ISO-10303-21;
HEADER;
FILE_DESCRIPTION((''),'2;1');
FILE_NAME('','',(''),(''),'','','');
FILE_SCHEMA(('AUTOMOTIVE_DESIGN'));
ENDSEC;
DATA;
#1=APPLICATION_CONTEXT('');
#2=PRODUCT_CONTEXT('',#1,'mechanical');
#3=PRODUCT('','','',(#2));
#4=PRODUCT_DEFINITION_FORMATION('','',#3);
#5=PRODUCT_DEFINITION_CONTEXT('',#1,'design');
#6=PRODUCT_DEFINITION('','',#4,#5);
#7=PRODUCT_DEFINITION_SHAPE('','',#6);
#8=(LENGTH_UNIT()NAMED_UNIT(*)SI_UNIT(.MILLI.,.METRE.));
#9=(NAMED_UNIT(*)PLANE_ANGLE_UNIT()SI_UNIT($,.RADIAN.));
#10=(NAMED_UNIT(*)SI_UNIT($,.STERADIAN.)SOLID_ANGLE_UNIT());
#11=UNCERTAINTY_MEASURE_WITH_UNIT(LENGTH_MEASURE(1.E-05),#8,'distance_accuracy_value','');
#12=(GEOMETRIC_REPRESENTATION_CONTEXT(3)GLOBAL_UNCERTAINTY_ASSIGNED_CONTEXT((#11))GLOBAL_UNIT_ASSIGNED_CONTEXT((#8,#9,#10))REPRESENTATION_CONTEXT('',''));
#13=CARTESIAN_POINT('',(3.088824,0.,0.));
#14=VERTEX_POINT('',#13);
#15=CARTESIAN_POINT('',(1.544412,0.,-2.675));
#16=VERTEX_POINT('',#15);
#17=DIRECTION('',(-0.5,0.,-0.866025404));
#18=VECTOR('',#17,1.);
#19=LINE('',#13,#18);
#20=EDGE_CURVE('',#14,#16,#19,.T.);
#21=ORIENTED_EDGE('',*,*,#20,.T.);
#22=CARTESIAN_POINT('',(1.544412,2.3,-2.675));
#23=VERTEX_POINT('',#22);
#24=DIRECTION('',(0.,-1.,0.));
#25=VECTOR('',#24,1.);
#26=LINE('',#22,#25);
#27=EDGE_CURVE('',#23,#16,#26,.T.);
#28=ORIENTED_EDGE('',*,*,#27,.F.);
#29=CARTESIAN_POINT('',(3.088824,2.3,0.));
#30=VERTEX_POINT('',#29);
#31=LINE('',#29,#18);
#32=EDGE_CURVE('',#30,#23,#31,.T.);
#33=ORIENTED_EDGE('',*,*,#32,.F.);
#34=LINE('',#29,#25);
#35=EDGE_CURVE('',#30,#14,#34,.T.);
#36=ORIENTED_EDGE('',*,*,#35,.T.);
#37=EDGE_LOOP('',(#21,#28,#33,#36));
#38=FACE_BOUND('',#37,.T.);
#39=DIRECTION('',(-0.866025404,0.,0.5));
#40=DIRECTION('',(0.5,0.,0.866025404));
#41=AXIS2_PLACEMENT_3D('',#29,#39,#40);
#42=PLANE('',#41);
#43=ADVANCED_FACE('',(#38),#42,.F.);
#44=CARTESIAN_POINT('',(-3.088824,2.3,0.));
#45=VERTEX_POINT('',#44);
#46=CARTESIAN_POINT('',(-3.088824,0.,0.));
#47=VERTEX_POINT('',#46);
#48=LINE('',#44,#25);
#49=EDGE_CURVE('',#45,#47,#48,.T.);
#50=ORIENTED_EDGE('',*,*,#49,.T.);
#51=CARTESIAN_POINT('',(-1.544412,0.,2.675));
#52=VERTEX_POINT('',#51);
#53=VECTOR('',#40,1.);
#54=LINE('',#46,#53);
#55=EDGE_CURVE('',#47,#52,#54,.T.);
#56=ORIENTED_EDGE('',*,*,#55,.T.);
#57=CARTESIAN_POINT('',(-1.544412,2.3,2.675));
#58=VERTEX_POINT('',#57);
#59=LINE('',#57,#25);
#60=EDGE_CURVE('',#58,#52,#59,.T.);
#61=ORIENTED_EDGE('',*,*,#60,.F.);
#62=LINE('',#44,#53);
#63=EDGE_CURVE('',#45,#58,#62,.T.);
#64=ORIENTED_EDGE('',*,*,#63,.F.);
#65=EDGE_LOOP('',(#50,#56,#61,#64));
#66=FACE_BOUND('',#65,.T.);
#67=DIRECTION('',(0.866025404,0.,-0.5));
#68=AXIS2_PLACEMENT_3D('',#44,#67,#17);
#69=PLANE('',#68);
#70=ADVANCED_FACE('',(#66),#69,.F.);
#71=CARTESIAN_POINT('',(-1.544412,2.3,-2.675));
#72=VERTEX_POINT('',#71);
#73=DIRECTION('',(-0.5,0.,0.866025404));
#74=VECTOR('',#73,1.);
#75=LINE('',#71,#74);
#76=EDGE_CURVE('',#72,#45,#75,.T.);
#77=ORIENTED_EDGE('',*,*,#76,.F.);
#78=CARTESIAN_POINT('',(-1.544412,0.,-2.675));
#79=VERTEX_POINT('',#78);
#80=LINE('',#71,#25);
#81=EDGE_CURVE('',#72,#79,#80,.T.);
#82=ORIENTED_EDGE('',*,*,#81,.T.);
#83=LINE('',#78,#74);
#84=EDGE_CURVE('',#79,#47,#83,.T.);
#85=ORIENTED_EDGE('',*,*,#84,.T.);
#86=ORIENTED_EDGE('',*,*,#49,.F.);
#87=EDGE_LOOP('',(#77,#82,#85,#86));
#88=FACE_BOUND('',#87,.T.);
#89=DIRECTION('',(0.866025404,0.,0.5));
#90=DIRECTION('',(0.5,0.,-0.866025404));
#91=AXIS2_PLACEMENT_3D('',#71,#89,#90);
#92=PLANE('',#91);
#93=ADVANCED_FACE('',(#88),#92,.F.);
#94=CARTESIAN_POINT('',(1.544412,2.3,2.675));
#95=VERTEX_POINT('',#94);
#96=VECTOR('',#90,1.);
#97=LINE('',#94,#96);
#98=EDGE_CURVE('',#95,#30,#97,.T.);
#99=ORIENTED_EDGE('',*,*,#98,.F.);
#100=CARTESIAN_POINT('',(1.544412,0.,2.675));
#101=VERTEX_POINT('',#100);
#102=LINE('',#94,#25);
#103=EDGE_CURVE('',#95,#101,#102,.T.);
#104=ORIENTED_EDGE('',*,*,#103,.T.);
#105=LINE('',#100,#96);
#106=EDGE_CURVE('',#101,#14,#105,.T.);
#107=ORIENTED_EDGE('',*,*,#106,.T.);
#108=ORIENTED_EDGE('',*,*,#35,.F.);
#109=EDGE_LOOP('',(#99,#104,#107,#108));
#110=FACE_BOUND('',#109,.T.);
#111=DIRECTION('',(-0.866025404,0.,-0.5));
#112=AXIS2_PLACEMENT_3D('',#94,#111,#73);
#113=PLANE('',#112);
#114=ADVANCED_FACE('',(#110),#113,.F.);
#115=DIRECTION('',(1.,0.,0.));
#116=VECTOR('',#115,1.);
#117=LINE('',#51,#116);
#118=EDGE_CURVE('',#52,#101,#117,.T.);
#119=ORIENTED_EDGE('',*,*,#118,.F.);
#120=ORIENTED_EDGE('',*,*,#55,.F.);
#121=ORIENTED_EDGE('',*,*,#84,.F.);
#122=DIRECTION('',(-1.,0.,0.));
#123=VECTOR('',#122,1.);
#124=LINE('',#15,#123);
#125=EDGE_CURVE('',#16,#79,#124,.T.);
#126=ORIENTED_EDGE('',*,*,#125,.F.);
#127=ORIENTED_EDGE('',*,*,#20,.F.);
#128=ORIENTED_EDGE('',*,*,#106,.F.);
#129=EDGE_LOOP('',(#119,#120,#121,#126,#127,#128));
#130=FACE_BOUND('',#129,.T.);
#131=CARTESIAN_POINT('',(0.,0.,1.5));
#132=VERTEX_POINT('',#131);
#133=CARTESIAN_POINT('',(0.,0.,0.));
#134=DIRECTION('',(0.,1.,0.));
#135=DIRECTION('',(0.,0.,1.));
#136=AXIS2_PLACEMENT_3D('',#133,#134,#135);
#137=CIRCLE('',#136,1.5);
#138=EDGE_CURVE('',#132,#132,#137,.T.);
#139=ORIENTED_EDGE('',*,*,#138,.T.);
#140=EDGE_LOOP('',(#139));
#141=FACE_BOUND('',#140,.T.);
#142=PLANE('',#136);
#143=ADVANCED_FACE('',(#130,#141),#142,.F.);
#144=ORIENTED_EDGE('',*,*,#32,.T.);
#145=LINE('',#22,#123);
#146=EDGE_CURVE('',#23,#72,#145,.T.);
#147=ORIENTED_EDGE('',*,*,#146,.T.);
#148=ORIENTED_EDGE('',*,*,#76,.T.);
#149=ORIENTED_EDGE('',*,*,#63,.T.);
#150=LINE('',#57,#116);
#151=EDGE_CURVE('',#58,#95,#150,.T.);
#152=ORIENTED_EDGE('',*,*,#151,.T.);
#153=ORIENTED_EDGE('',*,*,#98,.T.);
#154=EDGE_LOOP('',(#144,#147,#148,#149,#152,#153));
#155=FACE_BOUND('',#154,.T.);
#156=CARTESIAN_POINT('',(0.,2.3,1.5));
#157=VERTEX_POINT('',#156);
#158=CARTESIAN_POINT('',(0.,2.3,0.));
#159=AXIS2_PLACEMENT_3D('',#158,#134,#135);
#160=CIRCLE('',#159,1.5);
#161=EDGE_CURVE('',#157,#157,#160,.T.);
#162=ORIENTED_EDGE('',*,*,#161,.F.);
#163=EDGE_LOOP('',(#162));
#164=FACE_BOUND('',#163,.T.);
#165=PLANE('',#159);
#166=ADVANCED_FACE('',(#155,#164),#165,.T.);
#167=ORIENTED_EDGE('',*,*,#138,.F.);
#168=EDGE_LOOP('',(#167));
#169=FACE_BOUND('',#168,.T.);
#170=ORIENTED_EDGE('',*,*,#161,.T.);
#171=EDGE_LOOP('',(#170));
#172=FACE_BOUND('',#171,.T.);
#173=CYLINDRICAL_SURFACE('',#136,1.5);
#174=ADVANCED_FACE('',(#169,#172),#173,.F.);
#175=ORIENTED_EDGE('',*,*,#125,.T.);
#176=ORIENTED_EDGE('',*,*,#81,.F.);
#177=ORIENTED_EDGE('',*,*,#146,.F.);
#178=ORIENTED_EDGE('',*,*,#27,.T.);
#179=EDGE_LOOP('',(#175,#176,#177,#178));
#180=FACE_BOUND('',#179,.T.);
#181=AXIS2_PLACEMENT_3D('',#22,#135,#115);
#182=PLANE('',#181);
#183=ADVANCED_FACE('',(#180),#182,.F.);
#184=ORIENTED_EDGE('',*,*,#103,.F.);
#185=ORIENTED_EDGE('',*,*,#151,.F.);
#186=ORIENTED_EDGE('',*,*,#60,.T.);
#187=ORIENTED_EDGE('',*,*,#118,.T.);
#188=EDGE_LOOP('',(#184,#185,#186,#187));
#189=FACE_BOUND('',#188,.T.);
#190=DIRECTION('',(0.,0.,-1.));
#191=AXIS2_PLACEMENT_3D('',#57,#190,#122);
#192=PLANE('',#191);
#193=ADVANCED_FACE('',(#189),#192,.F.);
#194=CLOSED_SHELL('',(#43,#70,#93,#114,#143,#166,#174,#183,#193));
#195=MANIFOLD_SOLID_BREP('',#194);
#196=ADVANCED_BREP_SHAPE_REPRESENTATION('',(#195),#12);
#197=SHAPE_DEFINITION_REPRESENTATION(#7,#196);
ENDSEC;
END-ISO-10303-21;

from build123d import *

# Parameters (mm, degrees)
BOSS_EXTRUDE1_DEPTH = 2.3
SKETCH2_R           = 1.5
CUT_EXTRUDE1_DEPTH  = 5.688971991


with BuildPart() as part:
    # Sketch1 → Boss-Extrude1 (new body)
    with BuildSketch(Plane(origin=(0, 0, 0), x_dir=(1, 0, 0), z_dir=(0, 1, 0))):
        Polygon((3.08882394, 0), (1.54441197, 2.675), (-1.54441197, 2.675), (-3.08882394, 0), (-1.54441197, -2.675), (1.54441197, -2.675), align=None)
    extrude(amount=BOSS_EXTRUDE1_DEPTH)

    # Sketch2 → Cut-Extrude1 (cut, through all)
    with BuildSketch(Plane(origin=(0, 2.3, 0), x_dir=(1, 0, 0), z_dir=(0, 1, 0))):
        with Locations(Location((0, 0, 0), (0, 0, 270))):
            Circle(SKETCH2_R)
    extrude(amount=-CUT_EXTRUDE1_DEPTH, mode=Mode.SUBTRACT)


solid = part.part
